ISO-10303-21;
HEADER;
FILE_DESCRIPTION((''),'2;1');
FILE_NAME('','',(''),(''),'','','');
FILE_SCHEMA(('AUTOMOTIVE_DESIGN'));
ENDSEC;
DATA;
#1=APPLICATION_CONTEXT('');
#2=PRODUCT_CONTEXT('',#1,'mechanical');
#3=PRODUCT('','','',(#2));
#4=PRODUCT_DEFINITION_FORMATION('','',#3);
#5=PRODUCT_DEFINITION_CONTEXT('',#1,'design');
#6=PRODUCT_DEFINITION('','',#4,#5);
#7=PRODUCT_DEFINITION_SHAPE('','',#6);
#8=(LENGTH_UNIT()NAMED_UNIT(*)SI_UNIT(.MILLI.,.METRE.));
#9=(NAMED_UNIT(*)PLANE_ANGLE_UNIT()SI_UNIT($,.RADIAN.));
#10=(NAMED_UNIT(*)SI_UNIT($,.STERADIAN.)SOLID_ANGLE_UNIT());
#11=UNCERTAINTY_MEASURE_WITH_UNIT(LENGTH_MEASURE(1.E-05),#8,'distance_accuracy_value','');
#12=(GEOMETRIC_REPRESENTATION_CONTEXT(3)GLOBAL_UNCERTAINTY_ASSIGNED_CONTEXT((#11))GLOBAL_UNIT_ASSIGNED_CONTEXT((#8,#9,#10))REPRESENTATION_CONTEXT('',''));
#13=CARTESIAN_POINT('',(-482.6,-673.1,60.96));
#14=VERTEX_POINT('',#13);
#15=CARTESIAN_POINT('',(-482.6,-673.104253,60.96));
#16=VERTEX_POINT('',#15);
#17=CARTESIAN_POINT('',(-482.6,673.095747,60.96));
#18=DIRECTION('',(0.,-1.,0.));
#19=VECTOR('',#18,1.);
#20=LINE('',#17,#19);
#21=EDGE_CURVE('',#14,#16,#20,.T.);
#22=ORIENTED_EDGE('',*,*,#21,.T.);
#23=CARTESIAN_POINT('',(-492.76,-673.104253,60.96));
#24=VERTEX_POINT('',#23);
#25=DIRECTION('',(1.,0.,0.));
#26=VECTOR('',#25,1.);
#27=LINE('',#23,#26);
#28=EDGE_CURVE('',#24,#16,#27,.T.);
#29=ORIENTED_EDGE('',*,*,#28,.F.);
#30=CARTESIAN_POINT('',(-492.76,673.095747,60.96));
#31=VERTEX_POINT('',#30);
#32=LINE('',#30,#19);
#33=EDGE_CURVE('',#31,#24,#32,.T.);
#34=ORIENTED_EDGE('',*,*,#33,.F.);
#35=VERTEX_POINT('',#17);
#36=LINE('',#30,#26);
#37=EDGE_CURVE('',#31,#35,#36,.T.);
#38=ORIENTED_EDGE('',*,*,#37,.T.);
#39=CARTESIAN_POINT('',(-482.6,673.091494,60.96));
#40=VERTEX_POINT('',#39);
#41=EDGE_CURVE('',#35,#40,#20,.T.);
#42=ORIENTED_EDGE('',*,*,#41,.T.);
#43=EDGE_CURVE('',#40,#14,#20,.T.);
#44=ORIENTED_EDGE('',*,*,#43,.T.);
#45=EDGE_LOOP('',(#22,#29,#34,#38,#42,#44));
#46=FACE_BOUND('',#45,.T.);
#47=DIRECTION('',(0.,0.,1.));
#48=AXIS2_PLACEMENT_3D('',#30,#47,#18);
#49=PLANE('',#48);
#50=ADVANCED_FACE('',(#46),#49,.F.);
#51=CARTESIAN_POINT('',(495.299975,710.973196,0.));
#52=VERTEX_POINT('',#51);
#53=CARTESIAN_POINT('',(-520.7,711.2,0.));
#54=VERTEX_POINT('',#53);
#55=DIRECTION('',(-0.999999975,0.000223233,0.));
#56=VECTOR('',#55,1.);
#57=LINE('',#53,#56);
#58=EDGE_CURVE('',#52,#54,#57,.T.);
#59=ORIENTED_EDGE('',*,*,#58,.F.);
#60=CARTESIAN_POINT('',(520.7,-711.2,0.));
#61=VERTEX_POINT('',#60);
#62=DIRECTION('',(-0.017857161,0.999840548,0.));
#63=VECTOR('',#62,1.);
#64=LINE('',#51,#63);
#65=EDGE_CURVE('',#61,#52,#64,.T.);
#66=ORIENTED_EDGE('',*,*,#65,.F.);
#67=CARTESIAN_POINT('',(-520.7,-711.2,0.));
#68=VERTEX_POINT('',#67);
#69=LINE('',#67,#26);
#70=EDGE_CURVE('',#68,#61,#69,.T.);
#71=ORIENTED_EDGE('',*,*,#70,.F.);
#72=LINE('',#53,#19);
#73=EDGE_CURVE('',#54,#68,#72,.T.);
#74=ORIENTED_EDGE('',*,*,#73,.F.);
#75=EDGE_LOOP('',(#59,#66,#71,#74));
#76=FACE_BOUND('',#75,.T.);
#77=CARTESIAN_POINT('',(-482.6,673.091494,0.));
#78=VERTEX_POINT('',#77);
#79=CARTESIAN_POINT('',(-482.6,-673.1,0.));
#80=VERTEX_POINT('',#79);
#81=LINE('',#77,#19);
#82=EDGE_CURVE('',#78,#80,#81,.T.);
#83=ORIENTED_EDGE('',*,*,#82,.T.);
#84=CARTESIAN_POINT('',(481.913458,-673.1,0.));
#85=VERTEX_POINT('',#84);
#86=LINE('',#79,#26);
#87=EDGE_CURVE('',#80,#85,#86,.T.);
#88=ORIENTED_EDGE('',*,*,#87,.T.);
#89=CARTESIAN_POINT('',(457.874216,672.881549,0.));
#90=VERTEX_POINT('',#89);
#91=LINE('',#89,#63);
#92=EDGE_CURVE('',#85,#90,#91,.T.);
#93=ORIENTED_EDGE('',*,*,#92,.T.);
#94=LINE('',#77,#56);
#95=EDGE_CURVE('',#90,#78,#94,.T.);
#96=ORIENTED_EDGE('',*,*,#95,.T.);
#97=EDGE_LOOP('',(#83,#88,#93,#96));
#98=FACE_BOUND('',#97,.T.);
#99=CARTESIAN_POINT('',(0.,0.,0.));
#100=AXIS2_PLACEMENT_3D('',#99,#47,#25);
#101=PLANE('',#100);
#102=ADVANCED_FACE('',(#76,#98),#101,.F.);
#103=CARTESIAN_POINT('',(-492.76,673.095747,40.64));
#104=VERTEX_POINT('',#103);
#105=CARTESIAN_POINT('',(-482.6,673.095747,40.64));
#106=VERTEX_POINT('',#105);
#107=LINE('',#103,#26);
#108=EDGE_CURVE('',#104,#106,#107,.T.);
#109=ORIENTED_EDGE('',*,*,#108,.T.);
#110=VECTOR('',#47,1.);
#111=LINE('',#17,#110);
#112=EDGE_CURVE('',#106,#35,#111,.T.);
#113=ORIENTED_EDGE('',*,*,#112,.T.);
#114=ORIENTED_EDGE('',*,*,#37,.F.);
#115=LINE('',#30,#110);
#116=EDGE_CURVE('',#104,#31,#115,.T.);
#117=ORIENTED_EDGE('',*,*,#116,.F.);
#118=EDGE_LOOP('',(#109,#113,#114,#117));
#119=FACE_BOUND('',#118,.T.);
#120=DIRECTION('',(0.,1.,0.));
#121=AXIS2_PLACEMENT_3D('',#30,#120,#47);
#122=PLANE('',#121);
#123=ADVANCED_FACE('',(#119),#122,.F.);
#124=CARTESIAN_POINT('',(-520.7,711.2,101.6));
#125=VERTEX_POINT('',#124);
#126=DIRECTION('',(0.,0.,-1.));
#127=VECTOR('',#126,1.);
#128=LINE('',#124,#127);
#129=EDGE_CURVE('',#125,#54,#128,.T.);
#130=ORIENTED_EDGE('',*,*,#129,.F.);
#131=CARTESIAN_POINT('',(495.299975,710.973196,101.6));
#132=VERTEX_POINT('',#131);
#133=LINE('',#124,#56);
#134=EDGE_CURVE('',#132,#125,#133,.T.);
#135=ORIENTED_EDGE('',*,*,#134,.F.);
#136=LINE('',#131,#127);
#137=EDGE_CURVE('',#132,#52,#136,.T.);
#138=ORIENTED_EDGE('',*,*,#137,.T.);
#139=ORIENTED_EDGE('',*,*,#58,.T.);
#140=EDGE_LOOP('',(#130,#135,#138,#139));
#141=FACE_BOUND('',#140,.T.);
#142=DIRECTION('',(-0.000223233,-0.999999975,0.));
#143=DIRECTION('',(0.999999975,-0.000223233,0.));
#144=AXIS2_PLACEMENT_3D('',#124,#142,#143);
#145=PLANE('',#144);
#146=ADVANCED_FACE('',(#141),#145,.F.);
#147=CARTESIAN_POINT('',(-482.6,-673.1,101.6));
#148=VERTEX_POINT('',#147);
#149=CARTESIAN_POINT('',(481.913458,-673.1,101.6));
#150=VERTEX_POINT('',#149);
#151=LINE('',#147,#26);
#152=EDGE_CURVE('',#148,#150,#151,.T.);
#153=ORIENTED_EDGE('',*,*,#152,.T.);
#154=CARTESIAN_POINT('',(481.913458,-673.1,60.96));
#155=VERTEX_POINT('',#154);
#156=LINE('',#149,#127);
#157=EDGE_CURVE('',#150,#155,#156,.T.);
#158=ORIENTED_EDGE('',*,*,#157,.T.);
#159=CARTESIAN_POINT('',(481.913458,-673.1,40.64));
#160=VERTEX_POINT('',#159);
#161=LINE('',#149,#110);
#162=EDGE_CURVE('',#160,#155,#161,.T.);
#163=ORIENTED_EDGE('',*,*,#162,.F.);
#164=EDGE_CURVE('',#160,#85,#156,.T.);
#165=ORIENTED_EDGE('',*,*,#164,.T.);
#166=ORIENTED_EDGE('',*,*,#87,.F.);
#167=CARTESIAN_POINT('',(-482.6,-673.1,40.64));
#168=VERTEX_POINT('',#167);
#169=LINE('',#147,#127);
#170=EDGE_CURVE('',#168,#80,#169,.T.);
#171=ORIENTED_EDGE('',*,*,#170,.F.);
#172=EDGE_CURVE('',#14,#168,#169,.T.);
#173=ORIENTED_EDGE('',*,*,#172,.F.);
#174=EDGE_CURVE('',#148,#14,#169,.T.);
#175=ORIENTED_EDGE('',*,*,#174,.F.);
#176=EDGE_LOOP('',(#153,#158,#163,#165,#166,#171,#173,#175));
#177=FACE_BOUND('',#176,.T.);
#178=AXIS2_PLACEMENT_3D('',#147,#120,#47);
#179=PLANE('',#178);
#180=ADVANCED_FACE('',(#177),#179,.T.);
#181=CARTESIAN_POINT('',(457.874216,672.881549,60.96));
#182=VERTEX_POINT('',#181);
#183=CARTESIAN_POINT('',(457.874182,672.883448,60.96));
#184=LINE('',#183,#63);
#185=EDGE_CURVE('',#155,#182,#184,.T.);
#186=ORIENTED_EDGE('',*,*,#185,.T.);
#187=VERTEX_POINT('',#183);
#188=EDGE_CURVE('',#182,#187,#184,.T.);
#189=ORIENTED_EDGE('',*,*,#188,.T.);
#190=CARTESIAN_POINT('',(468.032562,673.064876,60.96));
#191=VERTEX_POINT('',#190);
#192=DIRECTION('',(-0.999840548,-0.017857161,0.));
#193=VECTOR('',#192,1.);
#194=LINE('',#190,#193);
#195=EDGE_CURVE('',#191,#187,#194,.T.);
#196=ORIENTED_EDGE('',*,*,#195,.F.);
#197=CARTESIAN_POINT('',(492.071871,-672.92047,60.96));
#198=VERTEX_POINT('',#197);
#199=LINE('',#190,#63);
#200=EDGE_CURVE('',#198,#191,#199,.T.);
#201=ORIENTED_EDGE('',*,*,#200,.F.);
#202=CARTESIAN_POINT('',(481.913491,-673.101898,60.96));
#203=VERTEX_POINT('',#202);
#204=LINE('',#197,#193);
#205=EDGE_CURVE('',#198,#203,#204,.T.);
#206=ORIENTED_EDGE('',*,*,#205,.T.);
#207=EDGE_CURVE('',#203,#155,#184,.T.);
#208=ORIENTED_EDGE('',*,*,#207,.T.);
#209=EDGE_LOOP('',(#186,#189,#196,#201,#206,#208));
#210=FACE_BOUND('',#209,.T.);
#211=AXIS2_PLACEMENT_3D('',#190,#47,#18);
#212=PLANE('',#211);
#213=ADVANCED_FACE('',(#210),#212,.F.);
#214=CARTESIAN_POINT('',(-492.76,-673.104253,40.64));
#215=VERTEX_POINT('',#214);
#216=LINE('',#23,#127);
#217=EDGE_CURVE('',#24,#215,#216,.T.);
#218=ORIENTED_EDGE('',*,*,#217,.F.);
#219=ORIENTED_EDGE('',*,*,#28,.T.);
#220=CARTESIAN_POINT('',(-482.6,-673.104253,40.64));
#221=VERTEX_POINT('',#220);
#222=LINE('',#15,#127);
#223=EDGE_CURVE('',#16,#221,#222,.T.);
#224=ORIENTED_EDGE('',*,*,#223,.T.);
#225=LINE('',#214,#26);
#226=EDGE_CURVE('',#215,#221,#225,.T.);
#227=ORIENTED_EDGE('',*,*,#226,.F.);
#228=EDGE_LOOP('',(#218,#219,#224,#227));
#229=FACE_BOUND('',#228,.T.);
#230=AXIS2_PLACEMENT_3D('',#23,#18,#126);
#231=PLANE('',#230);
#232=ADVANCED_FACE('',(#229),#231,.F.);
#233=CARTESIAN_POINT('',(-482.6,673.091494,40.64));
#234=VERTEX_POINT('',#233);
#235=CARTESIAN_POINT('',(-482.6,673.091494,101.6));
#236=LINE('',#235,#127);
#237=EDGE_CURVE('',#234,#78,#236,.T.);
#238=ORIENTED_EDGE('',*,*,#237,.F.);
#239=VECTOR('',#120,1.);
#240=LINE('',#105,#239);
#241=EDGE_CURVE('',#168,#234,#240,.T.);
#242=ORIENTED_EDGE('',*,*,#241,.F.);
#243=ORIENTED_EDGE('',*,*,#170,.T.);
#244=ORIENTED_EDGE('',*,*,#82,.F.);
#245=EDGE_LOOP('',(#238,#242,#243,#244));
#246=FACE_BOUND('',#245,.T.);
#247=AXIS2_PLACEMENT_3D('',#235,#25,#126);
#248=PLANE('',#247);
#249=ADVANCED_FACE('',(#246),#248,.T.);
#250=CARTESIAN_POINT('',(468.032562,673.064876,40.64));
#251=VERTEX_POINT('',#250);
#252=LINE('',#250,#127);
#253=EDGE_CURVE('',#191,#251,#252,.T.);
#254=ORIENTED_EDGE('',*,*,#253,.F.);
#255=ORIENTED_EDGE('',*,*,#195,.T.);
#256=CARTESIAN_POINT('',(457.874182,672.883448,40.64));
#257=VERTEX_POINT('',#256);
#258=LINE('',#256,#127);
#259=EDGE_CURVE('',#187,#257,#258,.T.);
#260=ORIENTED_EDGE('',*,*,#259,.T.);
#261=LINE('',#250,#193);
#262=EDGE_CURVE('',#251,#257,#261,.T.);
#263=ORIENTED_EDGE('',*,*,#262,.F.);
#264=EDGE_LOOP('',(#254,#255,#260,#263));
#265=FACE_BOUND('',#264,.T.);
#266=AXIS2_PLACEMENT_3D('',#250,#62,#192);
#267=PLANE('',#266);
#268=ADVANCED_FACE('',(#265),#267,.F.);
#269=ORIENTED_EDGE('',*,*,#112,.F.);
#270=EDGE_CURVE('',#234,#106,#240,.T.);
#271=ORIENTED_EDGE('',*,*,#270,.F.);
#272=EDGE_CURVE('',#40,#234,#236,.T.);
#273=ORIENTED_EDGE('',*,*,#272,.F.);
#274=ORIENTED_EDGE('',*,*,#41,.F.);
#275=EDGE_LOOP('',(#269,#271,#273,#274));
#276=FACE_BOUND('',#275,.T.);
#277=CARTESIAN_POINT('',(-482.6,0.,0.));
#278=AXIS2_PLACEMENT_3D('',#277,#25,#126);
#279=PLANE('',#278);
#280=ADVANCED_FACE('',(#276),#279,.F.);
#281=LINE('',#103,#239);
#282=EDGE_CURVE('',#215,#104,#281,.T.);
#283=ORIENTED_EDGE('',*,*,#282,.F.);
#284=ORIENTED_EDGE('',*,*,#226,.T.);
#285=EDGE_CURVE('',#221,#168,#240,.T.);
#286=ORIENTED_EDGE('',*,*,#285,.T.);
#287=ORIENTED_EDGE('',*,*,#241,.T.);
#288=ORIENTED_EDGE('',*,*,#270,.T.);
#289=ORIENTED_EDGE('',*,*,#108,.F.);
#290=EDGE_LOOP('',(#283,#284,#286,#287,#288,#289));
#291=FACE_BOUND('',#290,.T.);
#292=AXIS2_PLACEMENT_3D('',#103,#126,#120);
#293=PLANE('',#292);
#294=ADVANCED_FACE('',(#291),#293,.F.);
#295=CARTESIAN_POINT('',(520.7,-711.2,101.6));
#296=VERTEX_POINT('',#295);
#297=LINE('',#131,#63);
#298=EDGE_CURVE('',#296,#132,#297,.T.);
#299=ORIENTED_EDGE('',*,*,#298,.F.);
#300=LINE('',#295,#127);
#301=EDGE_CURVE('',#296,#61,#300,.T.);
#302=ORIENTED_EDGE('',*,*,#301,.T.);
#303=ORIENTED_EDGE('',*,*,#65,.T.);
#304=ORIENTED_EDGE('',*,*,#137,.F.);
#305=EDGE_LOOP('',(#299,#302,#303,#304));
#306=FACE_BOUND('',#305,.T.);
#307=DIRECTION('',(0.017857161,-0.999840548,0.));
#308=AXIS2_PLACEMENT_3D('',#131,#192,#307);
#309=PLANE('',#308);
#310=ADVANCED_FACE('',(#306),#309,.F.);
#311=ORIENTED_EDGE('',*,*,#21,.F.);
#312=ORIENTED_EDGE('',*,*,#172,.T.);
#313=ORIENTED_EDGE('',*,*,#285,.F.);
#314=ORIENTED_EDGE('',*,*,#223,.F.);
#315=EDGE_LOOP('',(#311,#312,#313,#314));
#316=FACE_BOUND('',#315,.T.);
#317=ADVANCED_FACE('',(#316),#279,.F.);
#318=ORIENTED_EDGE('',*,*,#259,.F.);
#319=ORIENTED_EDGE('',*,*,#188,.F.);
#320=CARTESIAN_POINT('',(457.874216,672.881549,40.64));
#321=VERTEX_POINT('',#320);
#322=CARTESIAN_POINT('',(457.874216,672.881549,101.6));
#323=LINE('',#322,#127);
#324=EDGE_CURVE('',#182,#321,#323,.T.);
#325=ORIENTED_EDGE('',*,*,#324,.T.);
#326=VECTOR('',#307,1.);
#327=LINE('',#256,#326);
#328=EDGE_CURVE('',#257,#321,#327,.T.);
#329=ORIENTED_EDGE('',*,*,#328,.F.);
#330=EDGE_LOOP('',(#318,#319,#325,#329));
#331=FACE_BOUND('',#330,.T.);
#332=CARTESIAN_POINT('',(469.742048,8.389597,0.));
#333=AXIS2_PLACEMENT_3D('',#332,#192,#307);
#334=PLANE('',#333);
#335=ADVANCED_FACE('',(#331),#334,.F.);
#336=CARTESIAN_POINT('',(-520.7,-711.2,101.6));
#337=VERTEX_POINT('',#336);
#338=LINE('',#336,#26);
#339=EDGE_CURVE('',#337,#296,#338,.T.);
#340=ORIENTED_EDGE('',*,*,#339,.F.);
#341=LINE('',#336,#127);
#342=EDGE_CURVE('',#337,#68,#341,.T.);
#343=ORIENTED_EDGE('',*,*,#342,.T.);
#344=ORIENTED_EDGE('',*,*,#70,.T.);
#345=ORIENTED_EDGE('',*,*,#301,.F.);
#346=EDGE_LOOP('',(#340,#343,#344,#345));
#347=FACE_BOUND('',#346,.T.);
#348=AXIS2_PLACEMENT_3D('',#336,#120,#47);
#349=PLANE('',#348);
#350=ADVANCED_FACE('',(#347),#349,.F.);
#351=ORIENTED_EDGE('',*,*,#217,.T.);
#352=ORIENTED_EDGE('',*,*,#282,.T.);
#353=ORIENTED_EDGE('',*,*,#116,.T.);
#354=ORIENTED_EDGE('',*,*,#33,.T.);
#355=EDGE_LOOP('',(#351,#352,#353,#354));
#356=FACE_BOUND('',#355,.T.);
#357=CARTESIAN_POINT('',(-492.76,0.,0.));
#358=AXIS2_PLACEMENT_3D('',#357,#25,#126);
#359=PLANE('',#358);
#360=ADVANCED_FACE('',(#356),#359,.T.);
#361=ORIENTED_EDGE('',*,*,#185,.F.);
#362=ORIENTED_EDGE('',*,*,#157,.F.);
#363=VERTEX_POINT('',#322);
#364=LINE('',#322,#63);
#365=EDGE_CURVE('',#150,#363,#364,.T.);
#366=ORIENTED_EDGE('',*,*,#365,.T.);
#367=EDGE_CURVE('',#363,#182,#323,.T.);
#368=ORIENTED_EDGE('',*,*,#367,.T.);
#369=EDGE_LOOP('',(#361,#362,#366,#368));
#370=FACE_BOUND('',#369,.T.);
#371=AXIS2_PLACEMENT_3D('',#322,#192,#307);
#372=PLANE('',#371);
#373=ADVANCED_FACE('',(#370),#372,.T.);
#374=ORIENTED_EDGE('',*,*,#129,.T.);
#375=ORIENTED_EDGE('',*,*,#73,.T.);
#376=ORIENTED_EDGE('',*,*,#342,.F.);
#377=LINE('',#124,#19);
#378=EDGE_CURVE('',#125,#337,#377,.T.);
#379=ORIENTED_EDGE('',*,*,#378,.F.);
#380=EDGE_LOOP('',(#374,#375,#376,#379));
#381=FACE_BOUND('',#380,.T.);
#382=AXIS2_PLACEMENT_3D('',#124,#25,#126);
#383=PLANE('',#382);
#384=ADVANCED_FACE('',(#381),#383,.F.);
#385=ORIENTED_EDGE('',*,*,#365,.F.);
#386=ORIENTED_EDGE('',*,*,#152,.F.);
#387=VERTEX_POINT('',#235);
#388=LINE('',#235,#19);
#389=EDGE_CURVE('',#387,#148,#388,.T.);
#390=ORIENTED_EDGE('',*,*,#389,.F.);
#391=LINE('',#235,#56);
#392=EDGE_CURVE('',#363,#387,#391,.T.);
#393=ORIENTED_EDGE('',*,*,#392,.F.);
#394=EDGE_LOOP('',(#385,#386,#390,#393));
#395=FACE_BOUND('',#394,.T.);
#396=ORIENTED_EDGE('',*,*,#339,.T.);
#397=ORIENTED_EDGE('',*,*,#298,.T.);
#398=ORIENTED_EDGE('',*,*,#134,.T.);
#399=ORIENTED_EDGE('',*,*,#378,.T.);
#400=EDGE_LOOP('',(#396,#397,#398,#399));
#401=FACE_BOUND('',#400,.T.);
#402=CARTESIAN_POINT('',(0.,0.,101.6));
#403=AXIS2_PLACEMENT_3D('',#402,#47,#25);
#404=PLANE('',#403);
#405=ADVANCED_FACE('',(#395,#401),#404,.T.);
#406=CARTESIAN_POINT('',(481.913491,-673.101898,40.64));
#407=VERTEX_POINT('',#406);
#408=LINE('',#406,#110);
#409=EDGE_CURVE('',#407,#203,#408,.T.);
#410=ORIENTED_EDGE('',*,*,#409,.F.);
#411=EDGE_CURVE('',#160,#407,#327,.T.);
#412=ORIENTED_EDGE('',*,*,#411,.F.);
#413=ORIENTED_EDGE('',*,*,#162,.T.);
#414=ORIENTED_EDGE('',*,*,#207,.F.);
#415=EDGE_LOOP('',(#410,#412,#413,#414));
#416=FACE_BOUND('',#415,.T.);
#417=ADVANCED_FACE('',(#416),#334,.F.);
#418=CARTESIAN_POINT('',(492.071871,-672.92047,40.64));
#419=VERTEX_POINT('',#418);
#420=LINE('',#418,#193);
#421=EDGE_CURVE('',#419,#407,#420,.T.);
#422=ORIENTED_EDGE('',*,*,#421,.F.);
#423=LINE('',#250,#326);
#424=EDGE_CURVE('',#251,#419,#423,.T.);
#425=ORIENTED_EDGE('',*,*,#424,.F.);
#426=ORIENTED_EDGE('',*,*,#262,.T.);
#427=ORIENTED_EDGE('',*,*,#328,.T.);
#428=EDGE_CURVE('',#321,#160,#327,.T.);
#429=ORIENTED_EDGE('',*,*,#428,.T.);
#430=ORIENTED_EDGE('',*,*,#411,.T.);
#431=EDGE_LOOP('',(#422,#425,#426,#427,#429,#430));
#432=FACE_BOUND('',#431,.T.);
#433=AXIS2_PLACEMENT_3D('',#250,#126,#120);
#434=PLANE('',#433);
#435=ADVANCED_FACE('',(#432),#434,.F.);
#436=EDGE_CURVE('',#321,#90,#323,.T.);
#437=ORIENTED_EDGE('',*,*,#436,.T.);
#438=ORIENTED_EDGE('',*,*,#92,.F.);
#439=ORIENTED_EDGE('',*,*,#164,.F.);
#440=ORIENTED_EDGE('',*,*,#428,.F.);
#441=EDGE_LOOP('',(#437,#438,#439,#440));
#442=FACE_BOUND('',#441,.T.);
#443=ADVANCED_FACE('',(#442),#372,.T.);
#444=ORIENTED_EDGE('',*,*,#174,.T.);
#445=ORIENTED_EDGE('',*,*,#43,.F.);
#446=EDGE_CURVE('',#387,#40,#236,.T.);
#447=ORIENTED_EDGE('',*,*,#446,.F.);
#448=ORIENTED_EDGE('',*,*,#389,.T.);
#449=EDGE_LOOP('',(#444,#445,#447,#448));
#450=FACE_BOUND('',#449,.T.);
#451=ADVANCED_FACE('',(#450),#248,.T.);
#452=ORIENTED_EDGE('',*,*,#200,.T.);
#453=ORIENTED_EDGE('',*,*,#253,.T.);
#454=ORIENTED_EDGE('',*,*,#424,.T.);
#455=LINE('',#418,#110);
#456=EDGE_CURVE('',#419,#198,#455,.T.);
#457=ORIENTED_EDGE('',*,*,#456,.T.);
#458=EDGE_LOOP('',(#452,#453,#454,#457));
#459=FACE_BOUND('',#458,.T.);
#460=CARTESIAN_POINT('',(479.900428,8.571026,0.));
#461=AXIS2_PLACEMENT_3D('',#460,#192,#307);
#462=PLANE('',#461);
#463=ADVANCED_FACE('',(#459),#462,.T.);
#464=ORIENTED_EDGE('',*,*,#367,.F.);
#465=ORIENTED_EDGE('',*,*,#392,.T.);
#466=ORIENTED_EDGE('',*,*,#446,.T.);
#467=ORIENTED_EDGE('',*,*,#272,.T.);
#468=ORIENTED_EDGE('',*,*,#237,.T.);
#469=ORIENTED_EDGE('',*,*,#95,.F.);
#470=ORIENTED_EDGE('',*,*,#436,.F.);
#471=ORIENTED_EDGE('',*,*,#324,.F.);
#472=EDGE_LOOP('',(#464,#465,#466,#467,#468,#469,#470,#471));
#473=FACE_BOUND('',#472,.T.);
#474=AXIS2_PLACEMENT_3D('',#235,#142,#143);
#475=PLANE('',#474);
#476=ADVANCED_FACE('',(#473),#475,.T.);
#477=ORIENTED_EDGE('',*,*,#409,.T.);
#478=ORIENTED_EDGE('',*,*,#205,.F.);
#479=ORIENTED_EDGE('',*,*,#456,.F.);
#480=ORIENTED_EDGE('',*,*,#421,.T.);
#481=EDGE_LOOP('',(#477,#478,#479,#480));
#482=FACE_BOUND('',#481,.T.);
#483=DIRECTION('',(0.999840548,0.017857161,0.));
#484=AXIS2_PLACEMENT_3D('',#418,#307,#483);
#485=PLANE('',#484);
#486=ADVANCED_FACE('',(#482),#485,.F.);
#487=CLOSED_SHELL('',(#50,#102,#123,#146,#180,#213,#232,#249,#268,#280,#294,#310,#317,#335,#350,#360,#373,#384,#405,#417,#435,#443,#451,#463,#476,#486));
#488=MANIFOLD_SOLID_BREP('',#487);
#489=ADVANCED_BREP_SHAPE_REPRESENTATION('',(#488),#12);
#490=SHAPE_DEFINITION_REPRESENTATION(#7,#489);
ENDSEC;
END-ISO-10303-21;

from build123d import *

# Parameters (mm, degrees)
BOSS_EXTRUDE1_DEPTH = 101.6
SKETCH3_W           = 20.32
SKETCH3_H           = 1346.2
CUT_EXTRUDE1_DEPTH  = 10.16
SKETCH4_W           = 20.32
SKETCH4_H           = 1346.2
CUT_EXTRUDE2_DEPTH  = 10.16


with BuildPart() as part:
    # Sketch2 → Boss-Extrude1 (new body)
    with BuildSketch(Plane.XY):
        Polygon((-520.7, 711.2), (495.299974685, 710.973195751), (520.7, -711.2), (-520.7, -711.2), align=None)
        Polygon((-482.6, 673.091493891), (457.874215728, 672.881549449), (481.913457595, -673.1), (-482.6, -673.1), align=None, mode=Mode.SUBTRACT)
    extrude(amount=BOSS_EXTRUDE1_DEPTH)

    # Sketch3 → Cut-Extrude1 (cut)
    with BuildSketch(Plane(origin=(469.742047624, 8.389596947, 0), x_dir=(0, 0, 1), z_dir=(-0.9998405481942395, -0.01785716065455791, 0))):
        with Locations((50.8, -8.500177591)):
            Rectangle(SKETCH3_W, SKETCH3_H)
    extrude(amount=-CUT_EXTRUDE1_DEPTH, mode=Mode.SUBTRACT)

    # Sketch4 → Cut-Extrude2 (cut)
    with BuildSketch(Plane(origin=(-482.6, 0, 0), x_dir=(0, 0, -1), z_dir=(1, 0, 0))):
        with Locations((-50.8, -0.004253054)):
            Rectangle(SKETCH4_W, SKETCH4_H)
    extrude(amount=-CUT_EXTRUDE2_DEPTH, mode=Mode.SUBTRACT)


solid = part.part
